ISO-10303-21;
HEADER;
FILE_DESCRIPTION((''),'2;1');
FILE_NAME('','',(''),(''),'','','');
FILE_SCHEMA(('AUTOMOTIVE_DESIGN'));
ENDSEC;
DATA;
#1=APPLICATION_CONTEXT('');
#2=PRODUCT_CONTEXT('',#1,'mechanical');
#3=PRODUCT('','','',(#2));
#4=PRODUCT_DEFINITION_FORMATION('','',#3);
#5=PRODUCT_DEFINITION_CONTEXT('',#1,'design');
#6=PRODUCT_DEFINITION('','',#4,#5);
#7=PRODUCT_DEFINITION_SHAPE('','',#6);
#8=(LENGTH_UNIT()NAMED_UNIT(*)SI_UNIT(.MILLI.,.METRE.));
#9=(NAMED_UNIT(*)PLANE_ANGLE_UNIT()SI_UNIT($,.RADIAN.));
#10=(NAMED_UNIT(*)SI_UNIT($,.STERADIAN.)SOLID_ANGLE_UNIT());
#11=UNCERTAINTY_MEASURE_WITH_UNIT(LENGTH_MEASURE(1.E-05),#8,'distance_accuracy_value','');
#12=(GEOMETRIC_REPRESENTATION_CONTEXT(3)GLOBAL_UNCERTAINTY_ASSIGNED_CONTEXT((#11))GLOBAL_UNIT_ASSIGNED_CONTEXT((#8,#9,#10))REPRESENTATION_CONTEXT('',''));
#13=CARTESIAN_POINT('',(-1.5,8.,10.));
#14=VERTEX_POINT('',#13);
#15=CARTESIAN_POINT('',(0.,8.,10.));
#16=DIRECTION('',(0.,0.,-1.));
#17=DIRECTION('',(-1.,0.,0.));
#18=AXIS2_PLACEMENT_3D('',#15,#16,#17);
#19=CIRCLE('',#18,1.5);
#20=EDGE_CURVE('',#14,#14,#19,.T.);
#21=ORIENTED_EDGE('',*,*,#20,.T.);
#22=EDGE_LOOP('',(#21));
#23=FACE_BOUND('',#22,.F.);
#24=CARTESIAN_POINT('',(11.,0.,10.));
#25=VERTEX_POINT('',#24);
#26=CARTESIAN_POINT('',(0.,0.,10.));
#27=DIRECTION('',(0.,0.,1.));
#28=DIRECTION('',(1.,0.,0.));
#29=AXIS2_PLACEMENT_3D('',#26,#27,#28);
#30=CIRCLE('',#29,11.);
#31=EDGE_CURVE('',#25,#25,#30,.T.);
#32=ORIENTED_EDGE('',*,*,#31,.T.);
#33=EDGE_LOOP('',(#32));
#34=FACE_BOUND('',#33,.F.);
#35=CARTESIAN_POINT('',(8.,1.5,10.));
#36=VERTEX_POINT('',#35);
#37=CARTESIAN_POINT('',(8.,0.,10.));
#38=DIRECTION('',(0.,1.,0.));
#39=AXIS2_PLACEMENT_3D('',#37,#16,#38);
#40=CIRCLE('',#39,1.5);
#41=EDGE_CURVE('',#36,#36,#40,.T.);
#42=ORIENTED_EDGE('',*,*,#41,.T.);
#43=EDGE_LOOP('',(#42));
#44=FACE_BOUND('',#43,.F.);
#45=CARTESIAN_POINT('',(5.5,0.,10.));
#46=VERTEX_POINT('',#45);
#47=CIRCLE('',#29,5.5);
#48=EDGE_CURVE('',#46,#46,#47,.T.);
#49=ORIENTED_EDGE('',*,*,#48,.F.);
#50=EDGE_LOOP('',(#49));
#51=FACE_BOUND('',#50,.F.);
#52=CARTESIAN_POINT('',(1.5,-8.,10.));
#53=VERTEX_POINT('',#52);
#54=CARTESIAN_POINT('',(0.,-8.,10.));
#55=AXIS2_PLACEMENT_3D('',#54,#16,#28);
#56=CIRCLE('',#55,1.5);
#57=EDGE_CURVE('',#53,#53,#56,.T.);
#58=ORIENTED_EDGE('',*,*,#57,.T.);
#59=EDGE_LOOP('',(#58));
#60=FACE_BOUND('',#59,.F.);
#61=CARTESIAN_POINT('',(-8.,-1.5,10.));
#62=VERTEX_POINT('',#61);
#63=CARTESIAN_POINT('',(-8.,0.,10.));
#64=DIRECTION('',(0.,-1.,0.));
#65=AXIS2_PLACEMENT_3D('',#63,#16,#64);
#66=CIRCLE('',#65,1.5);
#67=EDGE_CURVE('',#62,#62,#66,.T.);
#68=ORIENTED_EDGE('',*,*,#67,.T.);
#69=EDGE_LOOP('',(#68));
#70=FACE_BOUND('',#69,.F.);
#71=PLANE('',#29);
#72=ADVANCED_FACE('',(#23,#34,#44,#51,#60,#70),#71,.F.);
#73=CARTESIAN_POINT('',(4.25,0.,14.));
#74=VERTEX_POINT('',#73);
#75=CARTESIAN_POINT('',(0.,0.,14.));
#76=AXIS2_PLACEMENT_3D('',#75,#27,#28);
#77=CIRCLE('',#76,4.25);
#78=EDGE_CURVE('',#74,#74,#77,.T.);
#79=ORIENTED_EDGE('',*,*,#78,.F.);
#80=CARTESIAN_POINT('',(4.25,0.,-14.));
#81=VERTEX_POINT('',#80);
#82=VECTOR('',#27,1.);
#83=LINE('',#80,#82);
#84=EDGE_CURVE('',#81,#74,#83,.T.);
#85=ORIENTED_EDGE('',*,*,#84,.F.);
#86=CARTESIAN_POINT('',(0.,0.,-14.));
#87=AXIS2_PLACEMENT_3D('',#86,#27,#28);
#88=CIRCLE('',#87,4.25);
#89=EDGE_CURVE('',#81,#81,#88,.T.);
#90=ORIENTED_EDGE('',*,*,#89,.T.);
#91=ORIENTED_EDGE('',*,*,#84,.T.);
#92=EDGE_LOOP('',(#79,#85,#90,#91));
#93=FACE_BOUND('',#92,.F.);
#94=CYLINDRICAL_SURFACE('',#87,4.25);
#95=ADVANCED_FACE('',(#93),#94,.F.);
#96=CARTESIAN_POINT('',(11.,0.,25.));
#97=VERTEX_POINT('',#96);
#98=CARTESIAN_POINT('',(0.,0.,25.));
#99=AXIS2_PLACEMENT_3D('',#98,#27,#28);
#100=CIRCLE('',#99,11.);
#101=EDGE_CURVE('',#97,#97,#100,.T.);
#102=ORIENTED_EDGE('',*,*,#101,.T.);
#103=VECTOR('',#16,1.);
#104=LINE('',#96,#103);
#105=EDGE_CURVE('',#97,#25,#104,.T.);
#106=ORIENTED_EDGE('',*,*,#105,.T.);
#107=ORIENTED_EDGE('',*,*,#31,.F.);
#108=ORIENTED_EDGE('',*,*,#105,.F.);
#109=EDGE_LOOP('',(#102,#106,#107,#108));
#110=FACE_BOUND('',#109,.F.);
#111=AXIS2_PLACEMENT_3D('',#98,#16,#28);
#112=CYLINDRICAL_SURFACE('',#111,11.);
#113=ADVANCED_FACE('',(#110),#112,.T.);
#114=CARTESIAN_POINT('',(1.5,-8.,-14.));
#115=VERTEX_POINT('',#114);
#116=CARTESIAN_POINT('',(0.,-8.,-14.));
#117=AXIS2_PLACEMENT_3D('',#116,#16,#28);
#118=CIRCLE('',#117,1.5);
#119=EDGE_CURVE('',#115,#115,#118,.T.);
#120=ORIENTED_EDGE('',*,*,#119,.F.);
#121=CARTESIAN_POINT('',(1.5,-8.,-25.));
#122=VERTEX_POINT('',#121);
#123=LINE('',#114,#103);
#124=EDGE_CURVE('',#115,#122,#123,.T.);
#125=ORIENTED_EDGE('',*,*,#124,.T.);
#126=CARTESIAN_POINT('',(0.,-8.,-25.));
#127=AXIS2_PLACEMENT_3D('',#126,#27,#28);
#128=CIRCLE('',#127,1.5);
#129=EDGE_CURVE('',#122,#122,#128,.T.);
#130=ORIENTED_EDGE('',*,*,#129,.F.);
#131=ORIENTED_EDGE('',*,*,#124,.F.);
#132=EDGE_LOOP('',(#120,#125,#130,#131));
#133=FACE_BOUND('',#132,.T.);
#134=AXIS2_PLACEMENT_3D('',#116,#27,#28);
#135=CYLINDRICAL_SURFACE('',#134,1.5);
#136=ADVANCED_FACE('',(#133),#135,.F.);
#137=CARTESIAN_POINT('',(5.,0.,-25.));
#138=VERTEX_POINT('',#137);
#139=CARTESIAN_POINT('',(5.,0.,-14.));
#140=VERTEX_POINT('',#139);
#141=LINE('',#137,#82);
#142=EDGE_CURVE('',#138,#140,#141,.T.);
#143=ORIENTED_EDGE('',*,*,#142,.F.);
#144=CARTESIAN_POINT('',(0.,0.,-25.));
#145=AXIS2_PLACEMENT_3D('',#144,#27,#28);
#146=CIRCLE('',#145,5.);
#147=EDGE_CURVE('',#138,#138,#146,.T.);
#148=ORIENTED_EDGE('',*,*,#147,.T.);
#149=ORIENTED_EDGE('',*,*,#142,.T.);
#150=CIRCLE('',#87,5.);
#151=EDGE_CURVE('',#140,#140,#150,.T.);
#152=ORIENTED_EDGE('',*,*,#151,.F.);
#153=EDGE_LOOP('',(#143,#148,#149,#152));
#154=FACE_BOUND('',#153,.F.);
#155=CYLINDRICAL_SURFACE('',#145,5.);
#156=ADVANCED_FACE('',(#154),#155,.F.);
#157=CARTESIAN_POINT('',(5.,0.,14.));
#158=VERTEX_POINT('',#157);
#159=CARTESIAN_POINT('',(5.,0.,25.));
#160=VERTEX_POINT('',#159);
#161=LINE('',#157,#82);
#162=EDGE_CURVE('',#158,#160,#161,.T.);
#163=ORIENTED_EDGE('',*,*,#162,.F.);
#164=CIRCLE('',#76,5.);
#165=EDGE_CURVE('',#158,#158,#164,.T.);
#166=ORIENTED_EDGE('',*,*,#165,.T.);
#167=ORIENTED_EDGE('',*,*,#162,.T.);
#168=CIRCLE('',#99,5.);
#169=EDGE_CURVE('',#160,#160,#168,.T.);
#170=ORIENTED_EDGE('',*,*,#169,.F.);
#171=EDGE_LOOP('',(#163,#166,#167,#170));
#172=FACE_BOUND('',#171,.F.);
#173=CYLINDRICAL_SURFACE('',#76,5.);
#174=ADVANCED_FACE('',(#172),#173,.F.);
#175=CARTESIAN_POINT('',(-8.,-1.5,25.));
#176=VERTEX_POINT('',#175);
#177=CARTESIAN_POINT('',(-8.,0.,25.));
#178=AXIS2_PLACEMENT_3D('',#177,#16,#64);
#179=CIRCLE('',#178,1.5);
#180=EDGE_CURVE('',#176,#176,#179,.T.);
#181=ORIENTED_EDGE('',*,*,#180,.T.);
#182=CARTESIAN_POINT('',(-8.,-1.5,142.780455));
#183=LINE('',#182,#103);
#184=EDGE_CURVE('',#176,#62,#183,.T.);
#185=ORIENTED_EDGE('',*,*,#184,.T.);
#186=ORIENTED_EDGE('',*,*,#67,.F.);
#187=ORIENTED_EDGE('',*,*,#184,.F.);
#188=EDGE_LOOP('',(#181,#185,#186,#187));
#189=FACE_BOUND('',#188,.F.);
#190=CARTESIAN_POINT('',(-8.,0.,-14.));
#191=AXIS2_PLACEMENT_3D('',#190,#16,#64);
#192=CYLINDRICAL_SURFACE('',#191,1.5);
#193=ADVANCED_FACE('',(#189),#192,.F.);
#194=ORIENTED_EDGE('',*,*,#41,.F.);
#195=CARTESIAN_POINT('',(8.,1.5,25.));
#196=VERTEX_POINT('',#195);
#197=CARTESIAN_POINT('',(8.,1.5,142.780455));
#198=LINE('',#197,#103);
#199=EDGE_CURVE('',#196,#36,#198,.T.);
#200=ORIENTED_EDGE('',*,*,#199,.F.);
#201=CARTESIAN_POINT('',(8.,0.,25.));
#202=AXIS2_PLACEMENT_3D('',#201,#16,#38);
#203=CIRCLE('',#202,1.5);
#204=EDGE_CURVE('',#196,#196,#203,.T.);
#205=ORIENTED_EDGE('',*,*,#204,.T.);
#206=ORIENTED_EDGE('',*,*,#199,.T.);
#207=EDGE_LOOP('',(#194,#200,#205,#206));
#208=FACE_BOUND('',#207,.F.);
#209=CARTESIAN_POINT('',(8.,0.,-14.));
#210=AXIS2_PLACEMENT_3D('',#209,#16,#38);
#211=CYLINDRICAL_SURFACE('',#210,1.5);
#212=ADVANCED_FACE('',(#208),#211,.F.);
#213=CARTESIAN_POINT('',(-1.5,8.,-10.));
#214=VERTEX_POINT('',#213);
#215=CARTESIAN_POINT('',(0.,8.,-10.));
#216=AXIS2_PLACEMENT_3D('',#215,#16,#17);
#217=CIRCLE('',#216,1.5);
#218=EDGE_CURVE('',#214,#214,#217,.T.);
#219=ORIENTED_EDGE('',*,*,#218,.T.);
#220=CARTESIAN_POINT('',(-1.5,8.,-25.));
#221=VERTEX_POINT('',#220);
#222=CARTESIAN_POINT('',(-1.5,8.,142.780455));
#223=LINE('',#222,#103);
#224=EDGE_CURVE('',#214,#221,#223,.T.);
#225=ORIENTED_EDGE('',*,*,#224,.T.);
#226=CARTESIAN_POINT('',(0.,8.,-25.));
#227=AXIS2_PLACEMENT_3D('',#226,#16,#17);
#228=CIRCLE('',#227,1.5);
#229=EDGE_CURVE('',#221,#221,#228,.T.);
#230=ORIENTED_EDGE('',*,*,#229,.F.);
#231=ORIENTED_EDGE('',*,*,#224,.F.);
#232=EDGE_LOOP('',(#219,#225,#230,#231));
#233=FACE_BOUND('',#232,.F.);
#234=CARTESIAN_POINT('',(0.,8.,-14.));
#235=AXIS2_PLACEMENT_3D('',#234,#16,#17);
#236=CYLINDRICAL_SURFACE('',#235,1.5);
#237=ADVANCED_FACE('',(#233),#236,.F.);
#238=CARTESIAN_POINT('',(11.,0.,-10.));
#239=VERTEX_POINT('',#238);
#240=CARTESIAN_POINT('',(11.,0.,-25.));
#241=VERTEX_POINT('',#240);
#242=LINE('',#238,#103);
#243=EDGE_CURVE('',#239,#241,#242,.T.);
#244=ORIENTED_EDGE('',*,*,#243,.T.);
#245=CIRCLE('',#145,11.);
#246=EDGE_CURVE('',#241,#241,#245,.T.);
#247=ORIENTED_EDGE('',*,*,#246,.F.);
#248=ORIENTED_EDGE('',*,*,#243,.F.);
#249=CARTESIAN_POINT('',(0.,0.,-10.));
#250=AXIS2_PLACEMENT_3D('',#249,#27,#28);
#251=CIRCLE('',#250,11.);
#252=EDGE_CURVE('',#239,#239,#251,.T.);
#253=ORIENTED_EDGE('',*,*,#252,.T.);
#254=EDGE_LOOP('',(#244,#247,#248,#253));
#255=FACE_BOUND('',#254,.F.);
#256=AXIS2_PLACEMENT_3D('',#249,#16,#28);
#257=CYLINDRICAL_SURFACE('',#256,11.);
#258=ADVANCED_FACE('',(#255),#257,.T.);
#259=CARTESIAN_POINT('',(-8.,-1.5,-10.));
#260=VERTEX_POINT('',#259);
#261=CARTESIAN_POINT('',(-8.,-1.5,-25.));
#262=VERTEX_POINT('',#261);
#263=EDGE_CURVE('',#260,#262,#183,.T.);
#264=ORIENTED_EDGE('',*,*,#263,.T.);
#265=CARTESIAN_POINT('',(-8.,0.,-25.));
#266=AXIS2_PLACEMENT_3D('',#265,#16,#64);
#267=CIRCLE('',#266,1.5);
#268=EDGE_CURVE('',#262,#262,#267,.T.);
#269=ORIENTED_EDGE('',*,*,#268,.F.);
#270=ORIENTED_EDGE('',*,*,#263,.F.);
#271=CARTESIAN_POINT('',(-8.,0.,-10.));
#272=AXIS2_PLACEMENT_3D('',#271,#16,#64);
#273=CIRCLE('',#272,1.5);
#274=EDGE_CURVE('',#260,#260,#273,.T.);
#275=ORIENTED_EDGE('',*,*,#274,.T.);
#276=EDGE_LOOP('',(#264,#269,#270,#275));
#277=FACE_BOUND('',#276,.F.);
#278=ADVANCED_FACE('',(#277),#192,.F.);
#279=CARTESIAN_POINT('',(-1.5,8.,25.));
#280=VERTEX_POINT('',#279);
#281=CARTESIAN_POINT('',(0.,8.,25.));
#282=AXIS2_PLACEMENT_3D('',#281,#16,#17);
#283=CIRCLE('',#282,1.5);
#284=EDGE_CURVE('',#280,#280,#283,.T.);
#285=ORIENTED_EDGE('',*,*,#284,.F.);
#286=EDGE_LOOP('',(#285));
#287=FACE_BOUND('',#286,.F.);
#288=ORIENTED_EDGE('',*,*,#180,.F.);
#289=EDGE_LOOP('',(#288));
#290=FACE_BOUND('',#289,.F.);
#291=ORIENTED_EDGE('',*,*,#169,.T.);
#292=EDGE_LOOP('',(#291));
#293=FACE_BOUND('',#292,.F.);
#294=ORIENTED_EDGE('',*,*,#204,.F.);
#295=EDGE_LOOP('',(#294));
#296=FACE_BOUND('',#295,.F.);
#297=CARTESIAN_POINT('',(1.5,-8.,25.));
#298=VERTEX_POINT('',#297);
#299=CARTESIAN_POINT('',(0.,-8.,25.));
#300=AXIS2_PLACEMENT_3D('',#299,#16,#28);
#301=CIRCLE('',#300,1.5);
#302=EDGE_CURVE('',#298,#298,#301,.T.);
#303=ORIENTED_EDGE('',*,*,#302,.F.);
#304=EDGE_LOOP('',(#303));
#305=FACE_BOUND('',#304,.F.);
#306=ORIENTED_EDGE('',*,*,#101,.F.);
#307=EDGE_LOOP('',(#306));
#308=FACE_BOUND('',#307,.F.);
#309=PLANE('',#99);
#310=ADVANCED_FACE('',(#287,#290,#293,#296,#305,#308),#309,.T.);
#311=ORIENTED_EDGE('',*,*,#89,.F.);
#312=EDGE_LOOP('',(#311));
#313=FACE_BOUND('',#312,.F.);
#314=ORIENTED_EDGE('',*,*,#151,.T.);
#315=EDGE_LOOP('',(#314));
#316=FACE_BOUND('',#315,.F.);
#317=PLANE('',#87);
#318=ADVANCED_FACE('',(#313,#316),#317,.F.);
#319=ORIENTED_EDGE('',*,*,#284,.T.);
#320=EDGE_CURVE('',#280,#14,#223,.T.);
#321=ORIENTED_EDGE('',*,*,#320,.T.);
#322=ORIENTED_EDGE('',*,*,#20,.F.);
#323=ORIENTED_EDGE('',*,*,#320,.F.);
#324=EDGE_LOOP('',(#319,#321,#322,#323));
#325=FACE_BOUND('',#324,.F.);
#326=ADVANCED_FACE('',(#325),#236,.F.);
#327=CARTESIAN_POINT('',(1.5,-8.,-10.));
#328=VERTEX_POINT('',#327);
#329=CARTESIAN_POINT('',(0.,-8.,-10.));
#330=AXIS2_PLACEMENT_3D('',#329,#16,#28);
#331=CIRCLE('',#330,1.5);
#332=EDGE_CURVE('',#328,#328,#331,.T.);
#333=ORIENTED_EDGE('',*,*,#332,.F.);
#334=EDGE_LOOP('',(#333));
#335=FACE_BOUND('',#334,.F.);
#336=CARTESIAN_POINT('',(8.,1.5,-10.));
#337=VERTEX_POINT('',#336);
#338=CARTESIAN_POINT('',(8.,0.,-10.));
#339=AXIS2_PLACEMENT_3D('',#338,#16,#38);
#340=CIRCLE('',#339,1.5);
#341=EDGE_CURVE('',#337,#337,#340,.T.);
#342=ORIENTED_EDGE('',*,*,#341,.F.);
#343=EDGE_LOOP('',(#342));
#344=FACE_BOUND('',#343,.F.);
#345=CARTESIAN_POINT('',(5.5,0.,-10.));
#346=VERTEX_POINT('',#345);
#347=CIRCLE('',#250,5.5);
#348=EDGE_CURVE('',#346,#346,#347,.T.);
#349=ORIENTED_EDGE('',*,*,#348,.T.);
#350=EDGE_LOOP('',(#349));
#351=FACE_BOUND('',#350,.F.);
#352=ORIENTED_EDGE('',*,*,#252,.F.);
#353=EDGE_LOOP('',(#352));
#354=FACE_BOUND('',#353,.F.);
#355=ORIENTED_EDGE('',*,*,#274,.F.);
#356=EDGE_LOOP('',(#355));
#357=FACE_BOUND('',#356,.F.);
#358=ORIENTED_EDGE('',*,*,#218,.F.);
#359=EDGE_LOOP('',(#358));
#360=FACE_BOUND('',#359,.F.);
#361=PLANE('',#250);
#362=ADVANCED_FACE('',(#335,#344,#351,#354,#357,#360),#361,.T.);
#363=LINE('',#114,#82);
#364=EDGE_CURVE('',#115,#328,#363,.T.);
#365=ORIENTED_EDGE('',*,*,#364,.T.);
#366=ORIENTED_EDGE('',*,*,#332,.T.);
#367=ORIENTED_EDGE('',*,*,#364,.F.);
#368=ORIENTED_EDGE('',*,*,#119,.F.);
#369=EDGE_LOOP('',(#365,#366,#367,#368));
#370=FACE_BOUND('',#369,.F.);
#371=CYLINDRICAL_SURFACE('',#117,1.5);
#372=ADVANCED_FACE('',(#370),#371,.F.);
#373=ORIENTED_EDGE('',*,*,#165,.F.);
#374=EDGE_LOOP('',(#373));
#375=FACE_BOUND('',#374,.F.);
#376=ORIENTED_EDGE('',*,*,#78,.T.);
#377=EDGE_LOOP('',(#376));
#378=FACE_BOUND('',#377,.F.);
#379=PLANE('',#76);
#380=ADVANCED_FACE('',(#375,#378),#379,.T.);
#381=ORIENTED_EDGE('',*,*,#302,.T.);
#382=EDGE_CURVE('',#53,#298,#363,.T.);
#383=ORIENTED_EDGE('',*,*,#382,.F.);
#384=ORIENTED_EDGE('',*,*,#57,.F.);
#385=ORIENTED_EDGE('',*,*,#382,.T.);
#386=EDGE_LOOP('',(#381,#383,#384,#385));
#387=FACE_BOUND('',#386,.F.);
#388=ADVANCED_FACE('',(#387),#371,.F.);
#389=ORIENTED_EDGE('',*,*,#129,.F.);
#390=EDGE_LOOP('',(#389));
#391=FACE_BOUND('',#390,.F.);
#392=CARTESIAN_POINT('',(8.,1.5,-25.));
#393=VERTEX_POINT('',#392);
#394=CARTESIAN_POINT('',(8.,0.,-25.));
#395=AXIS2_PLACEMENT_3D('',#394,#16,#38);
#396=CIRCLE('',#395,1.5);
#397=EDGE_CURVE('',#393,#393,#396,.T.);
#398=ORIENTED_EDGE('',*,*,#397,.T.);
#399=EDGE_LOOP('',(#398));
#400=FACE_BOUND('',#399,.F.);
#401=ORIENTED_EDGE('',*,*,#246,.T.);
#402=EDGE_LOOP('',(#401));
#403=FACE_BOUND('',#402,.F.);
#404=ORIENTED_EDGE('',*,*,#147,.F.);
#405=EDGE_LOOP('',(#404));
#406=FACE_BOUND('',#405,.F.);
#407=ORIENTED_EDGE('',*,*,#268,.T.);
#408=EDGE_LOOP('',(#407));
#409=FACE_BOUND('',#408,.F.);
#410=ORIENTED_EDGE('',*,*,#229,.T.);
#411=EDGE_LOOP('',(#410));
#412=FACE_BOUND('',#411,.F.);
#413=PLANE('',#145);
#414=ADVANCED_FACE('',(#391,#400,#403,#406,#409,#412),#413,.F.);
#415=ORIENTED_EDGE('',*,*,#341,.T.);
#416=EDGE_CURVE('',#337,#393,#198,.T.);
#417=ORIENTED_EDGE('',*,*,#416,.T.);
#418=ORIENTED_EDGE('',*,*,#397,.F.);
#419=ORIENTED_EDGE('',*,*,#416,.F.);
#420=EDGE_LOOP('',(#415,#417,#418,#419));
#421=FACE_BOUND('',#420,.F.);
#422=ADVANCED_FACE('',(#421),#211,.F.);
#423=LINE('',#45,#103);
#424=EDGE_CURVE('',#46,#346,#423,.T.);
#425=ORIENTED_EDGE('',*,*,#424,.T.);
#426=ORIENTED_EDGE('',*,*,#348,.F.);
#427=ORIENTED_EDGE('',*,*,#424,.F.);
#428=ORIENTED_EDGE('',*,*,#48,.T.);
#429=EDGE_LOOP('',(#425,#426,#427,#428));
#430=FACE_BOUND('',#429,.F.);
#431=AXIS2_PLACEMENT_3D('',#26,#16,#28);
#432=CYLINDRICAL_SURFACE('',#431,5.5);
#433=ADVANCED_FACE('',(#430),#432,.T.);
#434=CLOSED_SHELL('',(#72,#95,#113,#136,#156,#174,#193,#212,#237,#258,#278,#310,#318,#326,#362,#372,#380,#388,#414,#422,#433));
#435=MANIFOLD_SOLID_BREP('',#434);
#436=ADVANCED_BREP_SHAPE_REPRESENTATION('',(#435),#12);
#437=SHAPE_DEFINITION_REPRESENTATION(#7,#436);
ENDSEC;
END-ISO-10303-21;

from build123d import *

# Parameters (mm, degrees)
SKETCH001_R        = 1.5
POCKET_DEPTH       = 156.780455
POCKET_DEPTH_BACK  = 128.780455
POLARPATTERN_COUNT = 4


with BuildPart() as part:
    # Sketch → Revolution (revolve)
    with BuildSketch(Plane.XZ):
        Polygon((5, -25), (5, -14), (4.25, -14), (4.25, 14), (5, 14), (5, 25), (11, 25), (11, 10), (5.5, 10), (5.5, -10), (11, -10), (11, -25), align=None)
    revolve(axis=Axis((0, 0, 0), (0, 0, 1)))

    # Sketch001 (on Face2 of Revolution) → Pocket (cut, two sides)
    with BuildSketch(Plane(origin=(0, 0, -14), x_dir=(1, 0, 0), z_dir=(0, 0, -1))) as pocket_sk:
        with Locations((0, 8)):
            Circle(SKETCH001_R)
    pocket = extrude(amount=-POCKET_DEPTH, mode=Mode.SUBTRACT) + extrude(pocket_sk.sketch, amount=POCKET_DEPTH_BACK, mode=Mode.SUBTRACT)

    # PolarPattern: Pocket ×4 about axis
    polarpattern_axis = Axis((0, 0, -14), (0, 0, -1))
    for i in range(1, POLARPATTERN_COUNT):
        add(pocket.rotate(polarpattern_axis, i * 360 / POLARPATTERN_COUNT), mode=Mode.SUBTRACT)


solid = part.part
